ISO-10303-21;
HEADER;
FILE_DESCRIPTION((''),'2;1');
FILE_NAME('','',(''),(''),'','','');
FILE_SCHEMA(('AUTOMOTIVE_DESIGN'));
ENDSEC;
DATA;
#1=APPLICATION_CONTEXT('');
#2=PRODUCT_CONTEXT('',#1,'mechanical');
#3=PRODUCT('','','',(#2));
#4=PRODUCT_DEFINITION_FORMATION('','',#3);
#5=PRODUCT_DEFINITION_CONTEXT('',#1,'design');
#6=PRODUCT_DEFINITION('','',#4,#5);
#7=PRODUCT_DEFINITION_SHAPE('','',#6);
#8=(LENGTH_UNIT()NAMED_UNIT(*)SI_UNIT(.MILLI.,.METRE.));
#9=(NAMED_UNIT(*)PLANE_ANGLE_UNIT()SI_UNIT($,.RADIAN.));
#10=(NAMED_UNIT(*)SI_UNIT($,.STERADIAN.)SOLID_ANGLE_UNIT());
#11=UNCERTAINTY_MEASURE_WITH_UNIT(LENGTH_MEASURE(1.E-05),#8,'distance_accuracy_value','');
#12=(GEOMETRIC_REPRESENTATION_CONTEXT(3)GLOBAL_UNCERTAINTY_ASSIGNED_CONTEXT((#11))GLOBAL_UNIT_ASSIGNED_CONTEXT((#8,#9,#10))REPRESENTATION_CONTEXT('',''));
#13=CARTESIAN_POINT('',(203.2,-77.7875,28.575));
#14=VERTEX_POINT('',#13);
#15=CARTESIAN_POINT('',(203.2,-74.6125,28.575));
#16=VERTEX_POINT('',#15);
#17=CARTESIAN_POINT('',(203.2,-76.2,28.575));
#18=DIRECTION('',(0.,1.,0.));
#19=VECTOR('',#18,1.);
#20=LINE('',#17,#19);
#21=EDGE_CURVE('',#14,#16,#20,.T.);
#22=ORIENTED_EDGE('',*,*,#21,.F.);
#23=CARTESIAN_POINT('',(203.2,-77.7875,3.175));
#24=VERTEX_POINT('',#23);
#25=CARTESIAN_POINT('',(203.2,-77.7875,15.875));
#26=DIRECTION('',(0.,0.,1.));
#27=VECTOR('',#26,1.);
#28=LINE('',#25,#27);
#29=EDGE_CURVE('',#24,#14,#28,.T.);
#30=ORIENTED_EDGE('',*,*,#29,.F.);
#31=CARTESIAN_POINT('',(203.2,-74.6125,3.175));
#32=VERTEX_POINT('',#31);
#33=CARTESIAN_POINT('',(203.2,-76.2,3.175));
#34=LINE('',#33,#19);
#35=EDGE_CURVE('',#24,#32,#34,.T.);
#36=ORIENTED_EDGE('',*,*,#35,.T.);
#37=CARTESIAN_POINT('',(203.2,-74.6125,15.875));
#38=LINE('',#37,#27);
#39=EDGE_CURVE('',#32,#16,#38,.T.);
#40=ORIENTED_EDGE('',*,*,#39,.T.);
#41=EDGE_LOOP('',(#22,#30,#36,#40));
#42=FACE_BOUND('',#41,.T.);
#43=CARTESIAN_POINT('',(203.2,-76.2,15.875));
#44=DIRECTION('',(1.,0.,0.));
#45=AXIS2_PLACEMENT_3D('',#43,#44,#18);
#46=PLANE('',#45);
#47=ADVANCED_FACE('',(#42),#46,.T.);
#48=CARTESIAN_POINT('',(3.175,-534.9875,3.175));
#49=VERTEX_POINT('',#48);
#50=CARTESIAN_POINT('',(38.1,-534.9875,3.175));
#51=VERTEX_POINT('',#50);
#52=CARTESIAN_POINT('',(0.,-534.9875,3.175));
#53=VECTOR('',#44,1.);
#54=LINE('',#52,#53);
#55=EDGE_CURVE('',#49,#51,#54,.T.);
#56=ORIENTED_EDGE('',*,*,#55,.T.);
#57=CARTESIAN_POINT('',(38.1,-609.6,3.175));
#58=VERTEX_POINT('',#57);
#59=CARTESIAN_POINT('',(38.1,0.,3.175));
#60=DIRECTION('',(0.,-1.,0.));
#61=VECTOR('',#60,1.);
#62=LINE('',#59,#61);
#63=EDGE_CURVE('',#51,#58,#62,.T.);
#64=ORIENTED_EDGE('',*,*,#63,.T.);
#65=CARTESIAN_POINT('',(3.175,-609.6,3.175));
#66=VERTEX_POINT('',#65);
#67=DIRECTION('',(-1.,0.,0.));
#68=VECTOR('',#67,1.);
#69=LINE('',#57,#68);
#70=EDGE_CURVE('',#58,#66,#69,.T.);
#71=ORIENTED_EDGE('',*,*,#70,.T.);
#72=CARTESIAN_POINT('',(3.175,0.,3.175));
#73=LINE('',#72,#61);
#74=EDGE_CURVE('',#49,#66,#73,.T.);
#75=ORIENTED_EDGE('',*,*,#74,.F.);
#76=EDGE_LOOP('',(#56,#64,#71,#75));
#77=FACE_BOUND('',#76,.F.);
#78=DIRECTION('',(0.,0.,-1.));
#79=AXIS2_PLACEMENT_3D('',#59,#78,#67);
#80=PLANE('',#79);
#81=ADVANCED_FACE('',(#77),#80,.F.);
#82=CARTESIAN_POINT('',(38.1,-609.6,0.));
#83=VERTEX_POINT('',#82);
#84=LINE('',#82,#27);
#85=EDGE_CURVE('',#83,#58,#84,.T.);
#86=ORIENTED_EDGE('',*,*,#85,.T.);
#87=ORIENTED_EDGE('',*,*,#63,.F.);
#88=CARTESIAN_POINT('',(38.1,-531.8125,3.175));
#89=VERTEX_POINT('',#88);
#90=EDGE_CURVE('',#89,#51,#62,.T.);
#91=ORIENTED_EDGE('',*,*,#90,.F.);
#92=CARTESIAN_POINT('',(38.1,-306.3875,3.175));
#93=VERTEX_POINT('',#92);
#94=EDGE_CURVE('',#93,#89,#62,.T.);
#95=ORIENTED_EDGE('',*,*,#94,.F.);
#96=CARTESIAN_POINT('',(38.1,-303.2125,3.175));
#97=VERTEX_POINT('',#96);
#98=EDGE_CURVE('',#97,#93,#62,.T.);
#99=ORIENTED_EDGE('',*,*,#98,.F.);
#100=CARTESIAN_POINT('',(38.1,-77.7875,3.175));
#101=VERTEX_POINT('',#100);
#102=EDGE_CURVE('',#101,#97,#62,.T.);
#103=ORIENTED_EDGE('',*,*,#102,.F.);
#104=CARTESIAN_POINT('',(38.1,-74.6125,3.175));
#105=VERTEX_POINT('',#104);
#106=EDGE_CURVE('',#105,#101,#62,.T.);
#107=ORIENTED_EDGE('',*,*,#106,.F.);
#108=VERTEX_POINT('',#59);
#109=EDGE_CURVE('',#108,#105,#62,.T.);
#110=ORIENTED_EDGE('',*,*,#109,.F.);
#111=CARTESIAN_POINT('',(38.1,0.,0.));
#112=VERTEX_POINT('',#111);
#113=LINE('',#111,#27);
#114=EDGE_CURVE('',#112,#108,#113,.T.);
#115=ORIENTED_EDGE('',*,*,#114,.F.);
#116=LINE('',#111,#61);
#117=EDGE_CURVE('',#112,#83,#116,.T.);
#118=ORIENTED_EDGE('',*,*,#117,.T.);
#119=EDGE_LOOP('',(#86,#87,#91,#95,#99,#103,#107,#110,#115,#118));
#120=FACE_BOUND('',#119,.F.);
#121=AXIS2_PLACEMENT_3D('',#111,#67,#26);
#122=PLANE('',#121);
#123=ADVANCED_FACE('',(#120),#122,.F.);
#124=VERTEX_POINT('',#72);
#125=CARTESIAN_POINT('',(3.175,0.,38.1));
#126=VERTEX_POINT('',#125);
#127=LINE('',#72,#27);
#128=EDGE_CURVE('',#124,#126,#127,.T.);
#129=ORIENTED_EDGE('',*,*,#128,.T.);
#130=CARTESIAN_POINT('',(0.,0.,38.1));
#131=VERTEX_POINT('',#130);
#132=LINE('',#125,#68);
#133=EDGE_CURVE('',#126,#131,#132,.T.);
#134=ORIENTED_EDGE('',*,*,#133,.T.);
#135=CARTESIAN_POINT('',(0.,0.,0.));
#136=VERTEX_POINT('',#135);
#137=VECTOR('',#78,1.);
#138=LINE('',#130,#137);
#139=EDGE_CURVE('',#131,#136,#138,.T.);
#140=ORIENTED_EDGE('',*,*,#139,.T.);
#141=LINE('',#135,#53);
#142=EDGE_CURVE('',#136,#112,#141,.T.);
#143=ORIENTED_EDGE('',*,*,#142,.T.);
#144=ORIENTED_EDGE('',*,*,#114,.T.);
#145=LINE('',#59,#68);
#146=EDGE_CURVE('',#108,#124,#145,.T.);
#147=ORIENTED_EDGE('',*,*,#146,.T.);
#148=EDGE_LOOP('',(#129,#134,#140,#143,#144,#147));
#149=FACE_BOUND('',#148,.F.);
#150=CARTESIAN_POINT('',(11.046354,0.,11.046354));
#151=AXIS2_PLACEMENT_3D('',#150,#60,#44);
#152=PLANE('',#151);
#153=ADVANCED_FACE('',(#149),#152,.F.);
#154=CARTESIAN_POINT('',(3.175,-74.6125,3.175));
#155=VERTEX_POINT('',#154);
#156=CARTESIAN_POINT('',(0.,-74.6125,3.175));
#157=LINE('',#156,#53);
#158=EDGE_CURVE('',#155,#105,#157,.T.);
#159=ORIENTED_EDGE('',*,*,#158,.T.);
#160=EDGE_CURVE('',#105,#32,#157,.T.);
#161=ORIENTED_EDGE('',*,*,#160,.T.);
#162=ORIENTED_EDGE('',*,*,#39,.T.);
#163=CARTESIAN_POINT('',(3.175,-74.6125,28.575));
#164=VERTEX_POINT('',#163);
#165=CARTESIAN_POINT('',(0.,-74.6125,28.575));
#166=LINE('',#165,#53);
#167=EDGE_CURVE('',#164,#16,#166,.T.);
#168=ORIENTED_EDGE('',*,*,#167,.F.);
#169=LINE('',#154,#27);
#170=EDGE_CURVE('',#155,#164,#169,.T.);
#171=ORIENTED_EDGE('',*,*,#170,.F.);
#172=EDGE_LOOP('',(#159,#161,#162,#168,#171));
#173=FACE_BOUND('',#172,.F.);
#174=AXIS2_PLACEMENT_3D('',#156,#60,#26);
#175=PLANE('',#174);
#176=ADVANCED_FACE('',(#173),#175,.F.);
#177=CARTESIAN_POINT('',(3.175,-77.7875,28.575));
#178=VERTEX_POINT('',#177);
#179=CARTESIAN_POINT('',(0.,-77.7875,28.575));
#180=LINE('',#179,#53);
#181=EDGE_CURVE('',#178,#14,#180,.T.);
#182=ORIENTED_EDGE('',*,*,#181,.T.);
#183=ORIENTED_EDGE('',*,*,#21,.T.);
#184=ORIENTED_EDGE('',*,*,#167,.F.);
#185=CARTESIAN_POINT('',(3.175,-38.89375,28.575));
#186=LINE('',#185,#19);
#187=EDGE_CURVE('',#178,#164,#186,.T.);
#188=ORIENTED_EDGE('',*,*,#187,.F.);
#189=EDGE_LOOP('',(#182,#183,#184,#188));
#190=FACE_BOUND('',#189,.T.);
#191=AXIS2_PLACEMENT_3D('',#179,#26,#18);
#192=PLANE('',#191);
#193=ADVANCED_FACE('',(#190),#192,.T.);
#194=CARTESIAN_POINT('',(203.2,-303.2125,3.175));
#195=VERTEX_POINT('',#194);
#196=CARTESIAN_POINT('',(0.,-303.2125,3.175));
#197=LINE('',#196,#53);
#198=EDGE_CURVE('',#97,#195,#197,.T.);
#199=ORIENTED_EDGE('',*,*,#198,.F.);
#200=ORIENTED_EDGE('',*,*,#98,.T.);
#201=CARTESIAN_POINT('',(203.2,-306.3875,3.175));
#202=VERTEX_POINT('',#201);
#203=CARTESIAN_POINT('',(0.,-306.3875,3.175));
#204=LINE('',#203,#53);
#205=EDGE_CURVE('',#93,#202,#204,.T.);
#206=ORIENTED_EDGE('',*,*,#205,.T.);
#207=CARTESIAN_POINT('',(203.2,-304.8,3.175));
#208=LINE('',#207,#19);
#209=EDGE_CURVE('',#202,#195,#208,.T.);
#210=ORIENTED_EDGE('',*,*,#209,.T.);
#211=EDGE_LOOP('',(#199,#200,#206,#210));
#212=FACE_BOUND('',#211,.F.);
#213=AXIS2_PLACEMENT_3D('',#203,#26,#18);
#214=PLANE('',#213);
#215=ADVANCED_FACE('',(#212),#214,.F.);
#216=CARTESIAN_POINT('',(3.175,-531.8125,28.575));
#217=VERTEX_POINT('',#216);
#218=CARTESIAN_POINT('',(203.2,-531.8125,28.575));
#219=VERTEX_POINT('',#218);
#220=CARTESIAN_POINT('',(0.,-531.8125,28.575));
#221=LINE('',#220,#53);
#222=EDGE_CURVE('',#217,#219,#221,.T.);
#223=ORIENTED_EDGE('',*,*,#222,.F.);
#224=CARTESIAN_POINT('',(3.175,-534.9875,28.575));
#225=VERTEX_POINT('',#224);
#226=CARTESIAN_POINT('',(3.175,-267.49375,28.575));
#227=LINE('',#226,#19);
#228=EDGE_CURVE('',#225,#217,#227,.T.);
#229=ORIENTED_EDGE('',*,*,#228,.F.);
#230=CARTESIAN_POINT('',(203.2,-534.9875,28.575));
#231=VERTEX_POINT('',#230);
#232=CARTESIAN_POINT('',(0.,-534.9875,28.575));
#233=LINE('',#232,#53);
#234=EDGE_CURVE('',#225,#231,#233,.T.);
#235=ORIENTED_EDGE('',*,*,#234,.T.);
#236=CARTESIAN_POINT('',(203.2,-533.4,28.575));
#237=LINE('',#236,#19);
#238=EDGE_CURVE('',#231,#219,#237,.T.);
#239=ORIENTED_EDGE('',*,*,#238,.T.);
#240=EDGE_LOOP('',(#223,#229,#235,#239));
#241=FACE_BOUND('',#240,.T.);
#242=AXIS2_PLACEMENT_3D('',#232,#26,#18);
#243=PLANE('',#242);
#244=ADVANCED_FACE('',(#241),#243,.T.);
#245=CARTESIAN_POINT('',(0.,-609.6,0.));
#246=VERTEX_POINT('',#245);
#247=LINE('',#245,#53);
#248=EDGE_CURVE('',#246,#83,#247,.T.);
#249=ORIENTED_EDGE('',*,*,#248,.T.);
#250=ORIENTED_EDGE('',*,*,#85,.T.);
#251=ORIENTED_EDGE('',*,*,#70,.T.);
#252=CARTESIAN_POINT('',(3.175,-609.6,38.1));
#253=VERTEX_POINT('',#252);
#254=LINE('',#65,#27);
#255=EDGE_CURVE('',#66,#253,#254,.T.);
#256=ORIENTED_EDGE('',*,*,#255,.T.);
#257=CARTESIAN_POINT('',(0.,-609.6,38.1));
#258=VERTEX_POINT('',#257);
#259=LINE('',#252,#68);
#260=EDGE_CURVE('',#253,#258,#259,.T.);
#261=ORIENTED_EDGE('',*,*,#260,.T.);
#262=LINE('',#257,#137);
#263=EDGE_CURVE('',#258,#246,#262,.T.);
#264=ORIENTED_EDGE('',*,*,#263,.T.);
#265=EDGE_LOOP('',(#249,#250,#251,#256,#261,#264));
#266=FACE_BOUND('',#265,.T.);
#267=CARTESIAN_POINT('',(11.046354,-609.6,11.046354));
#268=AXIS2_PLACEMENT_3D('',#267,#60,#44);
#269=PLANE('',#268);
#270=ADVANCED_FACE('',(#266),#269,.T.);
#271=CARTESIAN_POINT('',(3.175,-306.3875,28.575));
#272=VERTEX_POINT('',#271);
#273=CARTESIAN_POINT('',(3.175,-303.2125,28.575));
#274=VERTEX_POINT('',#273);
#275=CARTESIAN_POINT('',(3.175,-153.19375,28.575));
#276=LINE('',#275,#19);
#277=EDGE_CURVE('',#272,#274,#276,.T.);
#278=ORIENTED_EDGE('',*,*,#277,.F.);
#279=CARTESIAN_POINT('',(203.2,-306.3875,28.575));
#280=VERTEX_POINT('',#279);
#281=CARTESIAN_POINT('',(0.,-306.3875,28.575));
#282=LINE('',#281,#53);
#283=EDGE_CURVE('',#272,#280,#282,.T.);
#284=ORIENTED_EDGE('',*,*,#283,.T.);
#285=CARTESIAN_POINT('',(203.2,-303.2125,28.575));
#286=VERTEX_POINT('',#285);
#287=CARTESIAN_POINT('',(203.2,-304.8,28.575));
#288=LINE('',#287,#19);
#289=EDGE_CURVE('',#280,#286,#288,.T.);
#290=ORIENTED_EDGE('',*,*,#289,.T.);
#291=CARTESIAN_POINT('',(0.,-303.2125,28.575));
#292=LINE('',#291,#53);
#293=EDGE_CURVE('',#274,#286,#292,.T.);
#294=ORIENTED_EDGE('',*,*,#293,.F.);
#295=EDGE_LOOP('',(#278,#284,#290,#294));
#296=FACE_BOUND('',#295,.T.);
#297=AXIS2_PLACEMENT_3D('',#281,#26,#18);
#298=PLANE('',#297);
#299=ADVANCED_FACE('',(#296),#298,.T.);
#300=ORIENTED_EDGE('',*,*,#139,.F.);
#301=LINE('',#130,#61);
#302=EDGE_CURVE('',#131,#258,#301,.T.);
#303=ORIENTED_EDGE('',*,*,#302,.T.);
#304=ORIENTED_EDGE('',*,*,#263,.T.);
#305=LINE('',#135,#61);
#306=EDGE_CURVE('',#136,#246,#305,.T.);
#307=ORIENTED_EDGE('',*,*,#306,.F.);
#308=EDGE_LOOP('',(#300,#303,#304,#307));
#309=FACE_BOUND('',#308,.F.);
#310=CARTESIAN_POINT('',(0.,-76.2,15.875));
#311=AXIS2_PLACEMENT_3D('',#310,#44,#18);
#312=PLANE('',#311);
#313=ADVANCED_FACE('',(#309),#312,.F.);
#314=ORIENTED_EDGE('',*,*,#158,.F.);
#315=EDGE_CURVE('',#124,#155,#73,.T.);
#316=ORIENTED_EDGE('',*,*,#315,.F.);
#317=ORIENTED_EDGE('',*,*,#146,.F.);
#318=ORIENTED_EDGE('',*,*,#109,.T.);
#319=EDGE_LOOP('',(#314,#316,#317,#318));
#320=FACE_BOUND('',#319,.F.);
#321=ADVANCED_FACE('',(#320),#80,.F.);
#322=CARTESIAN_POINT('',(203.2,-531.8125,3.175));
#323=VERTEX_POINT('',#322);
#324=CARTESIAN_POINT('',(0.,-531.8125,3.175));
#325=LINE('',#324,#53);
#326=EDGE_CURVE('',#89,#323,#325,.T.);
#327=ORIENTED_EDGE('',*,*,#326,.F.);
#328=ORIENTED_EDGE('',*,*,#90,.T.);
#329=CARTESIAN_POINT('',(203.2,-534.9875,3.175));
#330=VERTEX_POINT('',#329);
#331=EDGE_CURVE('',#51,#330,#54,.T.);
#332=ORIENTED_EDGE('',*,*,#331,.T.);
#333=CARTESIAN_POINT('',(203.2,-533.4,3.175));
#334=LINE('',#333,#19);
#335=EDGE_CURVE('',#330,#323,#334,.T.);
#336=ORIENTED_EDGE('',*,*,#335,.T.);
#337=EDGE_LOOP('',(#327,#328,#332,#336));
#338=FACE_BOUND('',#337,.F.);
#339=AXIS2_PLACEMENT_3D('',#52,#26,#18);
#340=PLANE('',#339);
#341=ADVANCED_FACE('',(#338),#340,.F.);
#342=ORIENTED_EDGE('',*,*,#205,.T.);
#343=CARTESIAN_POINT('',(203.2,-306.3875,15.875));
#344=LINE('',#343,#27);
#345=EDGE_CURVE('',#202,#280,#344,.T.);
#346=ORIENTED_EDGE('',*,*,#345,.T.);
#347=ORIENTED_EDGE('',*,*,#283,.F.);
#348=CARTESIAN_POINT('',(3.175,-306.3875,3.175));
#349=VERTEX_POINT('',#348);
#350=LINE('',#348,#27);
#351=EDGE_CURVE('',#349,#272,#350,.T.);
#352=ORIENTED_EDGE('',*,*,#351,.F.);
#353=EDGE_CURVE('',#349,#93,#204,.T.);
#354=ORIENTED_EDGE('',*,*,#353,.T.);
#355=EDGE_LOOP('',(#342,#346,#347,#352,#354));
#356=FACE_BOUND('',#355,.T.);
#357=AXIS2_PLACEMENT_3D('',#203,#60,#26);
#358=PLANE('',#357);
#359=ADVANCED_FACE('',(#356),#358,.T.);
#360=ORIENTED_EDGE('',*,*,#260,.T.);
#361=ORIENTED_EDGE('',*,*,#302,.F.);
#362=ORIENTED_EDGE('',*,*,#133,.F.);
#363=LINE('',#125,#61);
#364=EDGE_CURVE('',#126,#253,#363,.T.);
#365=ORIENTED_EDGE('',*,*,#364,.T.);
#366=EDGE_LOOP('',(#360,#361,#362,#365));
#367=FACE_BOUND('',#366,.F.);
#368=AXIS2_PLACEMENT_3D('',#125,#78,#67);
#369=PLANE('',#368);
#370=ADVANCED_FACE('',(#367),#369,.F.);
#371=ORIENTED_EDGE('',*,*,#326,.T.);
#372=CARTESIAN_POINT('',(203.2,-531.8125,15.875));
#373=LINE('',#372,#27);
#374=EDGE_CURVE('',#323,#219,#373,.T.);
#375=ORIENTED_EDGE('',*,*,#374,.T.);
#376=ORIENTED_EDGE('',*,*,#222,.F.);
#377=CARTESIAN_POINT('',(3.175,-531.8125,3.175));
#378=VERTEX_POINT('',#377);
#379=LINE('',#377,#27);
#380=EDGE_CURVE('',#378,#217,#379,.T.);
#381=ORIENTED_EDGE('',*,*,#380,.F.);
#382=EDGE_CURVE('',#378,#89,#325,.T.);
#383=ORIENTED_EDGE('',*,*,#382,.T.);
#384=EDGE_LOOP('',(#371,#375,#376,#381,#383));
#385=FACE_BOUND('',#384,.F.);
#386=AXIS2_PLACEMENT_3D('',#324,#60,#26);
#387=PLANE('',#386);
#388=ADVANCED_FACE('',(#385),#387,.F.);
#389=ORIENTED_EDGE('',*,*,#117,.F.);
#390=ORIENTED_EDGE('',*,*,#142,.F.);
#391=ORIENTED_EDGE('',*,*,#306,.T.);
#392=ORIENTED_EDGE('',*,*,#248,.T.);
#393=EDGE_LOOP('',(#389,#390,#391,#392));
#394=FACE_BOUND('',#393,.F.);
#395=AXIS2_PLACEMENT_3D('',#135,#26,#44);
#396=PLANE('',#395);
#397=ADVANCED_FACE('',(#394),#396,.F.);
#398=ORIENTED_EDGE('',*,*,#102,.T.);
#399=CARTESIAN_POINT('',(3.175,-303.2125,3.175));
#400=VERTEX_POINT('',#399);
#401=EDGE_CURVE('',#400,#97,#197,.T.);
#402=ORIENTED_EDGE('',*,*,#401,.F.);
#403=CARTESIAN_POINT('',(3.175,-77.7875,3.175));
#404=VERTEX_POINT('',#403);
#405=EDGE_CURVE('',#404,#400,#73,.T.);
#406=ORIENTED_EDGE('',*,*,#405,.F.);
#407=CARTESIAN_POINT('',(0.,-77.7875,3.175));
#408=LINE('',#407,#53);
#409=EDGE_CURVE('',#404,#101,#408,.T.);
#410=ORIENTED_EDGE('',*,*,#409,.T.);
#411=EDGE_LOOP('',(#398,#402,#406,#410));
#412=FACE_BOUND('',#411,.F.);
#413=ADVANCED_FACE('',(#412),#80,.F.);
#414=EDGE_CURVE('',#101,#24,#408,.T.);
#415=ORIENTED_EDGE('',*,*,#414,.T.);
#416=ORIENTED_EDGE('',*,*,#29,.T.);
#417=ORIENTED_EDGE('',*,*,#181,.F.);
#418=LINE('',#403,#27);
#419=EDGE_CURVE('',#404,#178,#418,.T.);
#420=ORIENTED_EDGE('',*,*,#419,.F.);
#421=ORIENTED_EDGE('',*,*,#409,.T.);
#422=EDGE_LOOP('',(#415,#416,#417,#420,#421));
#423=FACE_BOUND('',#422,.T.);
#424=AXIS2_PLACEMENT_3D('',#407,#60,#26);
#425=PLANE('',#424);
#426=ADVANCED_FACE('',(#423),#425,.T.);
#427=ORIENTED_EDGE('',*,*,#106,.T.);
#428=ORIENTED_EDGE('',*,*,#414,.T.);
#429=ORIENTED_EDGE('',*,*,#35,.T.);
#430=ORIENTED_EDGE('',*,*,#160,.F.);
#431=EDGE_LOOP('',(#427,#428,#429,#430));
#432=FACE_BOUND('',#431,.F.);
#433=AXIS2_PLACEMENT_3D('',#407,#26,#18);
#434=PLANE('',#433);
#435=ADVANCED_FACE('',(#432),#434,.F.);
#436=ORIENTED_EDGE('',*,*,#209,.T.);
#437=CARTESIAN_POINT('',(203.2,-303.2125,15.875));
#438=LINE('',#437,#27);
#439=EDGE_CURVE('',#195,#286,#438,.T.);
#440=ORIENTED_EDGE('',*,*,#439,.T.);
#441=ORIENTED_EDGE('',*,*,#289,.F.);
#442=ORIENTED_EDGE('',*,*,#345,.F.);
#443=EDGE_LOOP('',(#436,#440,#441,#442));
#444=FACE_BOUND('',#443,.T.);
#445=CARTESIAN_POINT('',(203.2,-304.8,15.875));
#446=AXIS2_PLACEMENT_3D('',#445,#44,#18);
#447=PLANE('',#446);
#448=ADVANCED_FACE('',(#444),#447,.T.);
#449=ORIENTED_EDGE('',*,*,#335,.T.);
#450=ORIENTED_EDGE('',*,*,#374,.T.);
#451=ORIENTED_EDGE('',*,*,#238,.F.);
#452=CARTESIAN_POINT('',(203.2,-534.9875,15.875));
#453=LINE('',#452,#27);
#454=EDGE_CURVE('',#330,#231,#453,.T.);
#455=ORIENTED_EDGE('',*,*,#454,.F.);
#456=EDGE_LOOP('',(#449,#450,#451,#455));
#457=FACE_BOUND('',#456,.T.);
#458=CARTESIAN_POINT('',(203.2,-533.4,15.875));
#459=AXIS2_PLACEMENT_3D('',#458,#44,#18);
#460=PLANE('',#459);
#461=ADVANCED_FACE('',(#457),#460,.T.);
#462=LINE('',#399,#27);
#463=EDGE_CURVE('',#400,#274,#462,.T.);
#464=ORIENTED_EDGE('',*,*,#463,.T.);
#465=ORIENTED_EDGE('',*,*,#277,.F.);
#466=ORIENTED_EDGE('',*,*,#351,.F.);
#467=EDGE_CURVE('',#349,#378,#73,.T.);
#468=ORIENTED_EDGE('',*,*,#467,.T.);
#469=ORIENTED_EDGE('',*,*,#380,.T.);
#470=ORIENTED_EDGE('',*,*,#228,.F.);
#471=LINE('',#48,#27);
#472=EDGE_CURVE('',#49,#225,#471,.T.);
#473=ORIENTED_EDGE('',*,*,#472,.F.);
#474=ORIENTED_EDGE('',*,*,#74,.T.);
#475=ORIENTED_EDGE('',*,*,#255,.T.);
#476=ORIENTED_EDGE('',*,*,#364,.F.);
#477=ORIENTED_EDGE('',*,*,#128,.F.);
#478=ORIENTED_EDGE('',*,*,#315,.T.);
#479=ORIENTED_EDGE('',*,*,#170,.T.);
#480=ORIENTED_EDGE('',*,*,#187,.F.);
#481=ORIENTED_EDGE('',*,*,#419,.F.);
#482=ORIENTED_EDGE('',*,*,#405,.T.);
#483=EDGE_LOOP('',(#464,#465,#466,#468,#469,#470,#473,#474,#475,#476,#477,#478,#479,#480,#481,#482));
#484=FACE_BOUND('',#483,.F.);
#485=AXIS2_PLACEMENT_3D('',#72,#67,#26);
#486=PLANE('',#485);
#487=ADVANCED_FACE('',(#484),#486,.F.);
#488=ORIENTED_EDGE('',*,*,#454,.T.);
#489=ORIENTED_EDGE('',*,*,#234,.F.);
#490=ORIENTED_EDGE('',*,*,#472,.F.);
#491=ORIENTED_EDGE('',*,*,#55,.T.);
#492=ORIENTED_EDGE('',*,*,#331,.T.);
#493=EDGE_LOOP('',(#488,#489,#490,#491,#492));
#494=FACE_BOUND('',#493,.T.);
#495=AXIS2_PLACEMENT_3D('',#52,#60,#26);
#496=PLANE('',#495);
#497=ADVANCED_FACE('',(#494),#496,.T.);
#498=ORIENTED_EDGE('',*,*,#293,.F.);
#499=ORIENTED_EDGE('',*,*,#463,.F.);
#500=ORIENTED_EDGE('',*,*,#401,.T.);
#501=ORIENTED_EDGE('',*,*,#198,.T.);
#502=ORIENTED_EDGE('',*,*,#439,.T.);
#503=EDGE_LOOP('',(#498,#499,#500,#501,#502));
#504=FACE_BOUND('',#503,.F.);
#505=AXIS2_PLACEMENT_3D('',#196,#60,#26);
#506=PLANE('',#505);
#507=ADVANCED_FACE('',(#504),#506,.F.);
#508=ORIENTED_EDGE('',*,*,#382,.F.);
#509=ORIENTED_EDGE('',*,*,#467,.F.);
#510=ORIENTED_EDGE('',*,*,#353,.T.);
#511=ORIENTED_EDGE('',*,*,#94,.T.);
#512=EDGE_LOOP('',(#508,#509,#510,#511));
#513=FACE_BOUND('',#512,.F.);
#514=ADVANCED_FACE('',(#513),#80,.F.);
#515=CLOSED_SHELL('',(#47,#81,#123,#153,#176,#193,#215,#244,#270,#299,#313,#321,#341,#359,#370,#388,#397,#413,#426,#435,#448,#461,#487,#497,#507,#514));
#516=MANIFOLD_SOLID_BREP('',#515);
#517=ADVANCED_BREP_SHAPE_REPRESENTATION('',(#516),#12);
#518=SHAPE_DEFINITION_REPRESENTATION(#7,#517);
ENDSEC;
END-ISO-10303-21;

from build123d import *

# Parameters (mm, degrees)
F1_DEPTH = 609.6
F2_W     = 3.175
F2_H     = 25.4
F3_DEPTH = 203.2


with BuildPart() as f1:
    # F0 (on Front) → F1 (new body)
    with BuildSketch(Plane.XZ):
        Polygon((3.175, 38.1), (0, 38.1), (0, 0), (38.1, 0), (38.1, 3.175), (3.175, 3.175), align=None)
    extrude(amount=F1_DEPTH)

    # F2 (on Right) → F3 (join)
    with BuildSketch(Plane.YZ):
        with Locations((-76.2, 15.875)):
            Rectangle(F2_W, F2_H)
        with Locations((-304.8, 15.875)):
            Rectangle(F2_W, F2_H)
        with Locations((-533.4, 15.875)):
            Rectangle(F2_W, F2_H)
    extrude(amount=F3_DEPTH)


solid = f1.part
